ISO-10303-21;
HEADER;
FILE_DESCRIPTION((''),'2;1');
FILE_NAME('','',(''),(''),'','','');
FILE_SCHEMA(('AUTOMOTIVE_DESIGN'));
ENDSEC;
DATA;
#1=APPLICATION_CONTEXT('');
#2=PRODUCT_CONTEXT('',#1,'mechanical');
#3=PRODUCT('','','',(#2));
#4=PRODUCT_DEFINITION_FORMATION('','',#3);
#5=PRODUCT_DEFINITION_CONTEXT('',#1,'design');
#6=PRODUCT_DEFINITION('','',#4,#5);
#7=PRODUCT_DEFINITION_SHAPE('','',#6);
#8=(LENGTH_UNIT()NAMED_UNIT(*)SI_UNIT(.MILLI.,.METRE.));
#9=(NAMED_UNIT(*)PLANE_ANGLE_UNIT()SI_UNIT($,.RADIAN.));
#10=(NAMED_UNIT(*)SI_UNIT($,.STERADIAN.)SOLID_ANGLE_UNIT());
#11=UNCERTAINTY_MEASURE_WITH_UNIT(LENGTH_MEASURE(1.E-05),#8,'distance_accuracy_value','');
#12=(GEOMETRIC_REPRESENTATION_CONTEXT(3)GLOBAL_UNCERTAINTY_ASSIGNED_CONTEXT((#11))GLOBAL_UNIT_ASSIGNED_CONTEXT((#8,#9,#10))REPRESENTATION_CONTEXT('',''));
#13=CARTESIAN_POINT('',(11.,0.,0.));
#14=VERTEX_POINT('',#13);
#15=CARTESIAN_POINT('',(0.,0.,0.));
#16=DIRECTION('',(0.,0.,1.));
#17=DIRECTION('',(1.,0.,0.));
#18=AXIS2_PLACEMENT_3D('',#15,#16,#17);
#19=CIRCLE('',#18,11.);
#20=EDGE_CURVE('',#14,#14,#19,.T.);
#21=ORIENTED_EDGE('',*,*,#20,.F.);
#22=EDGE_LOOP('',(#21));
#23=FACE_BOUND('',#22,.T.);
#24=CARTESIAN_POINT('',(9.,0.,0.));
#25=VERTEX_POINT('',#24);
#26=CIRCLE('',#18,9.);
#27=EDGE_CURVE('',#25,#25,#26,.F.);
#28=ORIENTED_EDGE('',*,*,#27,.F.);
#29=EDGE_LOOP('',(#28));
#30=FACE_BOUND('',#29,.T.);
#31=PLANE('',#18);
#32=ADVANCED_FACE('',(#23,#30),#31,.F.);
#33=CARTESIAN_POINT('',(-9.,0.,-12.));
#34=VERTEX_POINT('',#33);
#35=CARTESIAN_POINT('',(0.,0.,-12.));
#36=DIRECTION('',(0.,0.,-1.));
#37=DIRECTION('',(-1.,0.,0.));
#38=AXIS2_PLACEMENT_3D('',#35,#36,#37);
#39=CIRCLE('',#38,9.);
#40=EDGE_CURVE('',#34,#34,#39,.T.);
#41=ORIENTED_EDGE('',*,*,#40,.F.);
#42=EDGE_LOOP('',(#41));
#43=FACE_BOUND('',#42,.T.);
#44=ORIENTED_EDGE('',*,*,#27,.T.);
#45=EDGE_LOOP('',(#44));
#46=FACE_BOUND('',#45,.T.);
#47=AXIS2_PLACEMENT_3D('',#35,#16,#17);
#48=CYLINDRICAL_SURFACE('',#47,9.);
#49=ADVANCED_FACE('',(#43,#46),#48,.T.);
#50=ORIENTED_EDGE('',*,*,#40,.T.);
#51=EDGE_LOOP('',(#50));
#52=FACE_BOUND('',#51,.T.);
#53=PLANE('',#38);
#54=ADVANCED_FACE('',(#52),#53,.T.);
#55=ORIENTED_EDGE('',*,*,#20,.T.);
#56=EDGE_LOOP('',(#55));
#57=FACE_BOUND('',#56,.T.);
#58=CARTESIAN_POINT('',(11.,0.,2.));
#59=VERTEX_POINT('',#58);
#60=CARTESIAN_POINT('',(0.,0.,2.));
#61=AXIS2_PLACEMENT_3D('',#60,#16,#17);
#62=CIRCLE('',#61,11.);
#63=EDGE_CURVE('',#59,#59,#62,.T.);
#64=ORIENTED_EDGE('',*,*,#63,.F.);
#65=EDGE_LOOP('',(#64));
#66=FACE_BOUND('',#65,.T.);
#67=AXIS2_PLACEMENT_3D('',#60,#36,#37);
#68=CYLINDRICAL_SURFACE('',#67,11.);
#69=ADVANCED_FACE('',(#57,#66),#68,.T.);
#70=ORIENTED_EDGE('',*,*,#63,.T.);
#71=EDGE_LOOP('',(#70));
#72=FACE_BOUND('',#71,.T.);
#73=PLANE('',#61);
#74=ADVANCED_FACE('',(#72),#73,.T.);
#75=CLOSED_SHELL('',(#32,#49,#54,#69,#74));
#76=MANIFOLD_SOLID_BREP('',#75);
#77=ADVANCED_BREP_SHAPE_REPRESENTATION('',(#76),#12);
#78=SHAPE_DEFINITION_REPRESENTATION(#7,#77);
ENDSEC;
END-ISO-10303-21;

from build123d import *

# Parameters (mm, degrees)
SKETCH1_R           = 11
BOSS_EXTRUDE1_DEPTH = 2
SKETCH2_R           = 9
BOSS_EXTRUDE2_DEPTH = 12


with BuildPart() as part:
    # Sketch1 → Boss-Extrude1 (new body)
    with BuildSketch(Plane.XY):
        Circle(SKETCH1_R)
    extrude(amount=BOSS_EXTRUDE1_DEPTH)

    # Sketch2 → Boss-Extrude2 (add)
    with BuildSketch(Plane(origin=(0, 0, 0), x_dir=(-1, 0, 0), z_dir=(0, 0, -1))):
        Circle(SKETCH2_R)
    extrude(amount=BOSS_EXTRUDE2_DEPTH)


solid = part.part
